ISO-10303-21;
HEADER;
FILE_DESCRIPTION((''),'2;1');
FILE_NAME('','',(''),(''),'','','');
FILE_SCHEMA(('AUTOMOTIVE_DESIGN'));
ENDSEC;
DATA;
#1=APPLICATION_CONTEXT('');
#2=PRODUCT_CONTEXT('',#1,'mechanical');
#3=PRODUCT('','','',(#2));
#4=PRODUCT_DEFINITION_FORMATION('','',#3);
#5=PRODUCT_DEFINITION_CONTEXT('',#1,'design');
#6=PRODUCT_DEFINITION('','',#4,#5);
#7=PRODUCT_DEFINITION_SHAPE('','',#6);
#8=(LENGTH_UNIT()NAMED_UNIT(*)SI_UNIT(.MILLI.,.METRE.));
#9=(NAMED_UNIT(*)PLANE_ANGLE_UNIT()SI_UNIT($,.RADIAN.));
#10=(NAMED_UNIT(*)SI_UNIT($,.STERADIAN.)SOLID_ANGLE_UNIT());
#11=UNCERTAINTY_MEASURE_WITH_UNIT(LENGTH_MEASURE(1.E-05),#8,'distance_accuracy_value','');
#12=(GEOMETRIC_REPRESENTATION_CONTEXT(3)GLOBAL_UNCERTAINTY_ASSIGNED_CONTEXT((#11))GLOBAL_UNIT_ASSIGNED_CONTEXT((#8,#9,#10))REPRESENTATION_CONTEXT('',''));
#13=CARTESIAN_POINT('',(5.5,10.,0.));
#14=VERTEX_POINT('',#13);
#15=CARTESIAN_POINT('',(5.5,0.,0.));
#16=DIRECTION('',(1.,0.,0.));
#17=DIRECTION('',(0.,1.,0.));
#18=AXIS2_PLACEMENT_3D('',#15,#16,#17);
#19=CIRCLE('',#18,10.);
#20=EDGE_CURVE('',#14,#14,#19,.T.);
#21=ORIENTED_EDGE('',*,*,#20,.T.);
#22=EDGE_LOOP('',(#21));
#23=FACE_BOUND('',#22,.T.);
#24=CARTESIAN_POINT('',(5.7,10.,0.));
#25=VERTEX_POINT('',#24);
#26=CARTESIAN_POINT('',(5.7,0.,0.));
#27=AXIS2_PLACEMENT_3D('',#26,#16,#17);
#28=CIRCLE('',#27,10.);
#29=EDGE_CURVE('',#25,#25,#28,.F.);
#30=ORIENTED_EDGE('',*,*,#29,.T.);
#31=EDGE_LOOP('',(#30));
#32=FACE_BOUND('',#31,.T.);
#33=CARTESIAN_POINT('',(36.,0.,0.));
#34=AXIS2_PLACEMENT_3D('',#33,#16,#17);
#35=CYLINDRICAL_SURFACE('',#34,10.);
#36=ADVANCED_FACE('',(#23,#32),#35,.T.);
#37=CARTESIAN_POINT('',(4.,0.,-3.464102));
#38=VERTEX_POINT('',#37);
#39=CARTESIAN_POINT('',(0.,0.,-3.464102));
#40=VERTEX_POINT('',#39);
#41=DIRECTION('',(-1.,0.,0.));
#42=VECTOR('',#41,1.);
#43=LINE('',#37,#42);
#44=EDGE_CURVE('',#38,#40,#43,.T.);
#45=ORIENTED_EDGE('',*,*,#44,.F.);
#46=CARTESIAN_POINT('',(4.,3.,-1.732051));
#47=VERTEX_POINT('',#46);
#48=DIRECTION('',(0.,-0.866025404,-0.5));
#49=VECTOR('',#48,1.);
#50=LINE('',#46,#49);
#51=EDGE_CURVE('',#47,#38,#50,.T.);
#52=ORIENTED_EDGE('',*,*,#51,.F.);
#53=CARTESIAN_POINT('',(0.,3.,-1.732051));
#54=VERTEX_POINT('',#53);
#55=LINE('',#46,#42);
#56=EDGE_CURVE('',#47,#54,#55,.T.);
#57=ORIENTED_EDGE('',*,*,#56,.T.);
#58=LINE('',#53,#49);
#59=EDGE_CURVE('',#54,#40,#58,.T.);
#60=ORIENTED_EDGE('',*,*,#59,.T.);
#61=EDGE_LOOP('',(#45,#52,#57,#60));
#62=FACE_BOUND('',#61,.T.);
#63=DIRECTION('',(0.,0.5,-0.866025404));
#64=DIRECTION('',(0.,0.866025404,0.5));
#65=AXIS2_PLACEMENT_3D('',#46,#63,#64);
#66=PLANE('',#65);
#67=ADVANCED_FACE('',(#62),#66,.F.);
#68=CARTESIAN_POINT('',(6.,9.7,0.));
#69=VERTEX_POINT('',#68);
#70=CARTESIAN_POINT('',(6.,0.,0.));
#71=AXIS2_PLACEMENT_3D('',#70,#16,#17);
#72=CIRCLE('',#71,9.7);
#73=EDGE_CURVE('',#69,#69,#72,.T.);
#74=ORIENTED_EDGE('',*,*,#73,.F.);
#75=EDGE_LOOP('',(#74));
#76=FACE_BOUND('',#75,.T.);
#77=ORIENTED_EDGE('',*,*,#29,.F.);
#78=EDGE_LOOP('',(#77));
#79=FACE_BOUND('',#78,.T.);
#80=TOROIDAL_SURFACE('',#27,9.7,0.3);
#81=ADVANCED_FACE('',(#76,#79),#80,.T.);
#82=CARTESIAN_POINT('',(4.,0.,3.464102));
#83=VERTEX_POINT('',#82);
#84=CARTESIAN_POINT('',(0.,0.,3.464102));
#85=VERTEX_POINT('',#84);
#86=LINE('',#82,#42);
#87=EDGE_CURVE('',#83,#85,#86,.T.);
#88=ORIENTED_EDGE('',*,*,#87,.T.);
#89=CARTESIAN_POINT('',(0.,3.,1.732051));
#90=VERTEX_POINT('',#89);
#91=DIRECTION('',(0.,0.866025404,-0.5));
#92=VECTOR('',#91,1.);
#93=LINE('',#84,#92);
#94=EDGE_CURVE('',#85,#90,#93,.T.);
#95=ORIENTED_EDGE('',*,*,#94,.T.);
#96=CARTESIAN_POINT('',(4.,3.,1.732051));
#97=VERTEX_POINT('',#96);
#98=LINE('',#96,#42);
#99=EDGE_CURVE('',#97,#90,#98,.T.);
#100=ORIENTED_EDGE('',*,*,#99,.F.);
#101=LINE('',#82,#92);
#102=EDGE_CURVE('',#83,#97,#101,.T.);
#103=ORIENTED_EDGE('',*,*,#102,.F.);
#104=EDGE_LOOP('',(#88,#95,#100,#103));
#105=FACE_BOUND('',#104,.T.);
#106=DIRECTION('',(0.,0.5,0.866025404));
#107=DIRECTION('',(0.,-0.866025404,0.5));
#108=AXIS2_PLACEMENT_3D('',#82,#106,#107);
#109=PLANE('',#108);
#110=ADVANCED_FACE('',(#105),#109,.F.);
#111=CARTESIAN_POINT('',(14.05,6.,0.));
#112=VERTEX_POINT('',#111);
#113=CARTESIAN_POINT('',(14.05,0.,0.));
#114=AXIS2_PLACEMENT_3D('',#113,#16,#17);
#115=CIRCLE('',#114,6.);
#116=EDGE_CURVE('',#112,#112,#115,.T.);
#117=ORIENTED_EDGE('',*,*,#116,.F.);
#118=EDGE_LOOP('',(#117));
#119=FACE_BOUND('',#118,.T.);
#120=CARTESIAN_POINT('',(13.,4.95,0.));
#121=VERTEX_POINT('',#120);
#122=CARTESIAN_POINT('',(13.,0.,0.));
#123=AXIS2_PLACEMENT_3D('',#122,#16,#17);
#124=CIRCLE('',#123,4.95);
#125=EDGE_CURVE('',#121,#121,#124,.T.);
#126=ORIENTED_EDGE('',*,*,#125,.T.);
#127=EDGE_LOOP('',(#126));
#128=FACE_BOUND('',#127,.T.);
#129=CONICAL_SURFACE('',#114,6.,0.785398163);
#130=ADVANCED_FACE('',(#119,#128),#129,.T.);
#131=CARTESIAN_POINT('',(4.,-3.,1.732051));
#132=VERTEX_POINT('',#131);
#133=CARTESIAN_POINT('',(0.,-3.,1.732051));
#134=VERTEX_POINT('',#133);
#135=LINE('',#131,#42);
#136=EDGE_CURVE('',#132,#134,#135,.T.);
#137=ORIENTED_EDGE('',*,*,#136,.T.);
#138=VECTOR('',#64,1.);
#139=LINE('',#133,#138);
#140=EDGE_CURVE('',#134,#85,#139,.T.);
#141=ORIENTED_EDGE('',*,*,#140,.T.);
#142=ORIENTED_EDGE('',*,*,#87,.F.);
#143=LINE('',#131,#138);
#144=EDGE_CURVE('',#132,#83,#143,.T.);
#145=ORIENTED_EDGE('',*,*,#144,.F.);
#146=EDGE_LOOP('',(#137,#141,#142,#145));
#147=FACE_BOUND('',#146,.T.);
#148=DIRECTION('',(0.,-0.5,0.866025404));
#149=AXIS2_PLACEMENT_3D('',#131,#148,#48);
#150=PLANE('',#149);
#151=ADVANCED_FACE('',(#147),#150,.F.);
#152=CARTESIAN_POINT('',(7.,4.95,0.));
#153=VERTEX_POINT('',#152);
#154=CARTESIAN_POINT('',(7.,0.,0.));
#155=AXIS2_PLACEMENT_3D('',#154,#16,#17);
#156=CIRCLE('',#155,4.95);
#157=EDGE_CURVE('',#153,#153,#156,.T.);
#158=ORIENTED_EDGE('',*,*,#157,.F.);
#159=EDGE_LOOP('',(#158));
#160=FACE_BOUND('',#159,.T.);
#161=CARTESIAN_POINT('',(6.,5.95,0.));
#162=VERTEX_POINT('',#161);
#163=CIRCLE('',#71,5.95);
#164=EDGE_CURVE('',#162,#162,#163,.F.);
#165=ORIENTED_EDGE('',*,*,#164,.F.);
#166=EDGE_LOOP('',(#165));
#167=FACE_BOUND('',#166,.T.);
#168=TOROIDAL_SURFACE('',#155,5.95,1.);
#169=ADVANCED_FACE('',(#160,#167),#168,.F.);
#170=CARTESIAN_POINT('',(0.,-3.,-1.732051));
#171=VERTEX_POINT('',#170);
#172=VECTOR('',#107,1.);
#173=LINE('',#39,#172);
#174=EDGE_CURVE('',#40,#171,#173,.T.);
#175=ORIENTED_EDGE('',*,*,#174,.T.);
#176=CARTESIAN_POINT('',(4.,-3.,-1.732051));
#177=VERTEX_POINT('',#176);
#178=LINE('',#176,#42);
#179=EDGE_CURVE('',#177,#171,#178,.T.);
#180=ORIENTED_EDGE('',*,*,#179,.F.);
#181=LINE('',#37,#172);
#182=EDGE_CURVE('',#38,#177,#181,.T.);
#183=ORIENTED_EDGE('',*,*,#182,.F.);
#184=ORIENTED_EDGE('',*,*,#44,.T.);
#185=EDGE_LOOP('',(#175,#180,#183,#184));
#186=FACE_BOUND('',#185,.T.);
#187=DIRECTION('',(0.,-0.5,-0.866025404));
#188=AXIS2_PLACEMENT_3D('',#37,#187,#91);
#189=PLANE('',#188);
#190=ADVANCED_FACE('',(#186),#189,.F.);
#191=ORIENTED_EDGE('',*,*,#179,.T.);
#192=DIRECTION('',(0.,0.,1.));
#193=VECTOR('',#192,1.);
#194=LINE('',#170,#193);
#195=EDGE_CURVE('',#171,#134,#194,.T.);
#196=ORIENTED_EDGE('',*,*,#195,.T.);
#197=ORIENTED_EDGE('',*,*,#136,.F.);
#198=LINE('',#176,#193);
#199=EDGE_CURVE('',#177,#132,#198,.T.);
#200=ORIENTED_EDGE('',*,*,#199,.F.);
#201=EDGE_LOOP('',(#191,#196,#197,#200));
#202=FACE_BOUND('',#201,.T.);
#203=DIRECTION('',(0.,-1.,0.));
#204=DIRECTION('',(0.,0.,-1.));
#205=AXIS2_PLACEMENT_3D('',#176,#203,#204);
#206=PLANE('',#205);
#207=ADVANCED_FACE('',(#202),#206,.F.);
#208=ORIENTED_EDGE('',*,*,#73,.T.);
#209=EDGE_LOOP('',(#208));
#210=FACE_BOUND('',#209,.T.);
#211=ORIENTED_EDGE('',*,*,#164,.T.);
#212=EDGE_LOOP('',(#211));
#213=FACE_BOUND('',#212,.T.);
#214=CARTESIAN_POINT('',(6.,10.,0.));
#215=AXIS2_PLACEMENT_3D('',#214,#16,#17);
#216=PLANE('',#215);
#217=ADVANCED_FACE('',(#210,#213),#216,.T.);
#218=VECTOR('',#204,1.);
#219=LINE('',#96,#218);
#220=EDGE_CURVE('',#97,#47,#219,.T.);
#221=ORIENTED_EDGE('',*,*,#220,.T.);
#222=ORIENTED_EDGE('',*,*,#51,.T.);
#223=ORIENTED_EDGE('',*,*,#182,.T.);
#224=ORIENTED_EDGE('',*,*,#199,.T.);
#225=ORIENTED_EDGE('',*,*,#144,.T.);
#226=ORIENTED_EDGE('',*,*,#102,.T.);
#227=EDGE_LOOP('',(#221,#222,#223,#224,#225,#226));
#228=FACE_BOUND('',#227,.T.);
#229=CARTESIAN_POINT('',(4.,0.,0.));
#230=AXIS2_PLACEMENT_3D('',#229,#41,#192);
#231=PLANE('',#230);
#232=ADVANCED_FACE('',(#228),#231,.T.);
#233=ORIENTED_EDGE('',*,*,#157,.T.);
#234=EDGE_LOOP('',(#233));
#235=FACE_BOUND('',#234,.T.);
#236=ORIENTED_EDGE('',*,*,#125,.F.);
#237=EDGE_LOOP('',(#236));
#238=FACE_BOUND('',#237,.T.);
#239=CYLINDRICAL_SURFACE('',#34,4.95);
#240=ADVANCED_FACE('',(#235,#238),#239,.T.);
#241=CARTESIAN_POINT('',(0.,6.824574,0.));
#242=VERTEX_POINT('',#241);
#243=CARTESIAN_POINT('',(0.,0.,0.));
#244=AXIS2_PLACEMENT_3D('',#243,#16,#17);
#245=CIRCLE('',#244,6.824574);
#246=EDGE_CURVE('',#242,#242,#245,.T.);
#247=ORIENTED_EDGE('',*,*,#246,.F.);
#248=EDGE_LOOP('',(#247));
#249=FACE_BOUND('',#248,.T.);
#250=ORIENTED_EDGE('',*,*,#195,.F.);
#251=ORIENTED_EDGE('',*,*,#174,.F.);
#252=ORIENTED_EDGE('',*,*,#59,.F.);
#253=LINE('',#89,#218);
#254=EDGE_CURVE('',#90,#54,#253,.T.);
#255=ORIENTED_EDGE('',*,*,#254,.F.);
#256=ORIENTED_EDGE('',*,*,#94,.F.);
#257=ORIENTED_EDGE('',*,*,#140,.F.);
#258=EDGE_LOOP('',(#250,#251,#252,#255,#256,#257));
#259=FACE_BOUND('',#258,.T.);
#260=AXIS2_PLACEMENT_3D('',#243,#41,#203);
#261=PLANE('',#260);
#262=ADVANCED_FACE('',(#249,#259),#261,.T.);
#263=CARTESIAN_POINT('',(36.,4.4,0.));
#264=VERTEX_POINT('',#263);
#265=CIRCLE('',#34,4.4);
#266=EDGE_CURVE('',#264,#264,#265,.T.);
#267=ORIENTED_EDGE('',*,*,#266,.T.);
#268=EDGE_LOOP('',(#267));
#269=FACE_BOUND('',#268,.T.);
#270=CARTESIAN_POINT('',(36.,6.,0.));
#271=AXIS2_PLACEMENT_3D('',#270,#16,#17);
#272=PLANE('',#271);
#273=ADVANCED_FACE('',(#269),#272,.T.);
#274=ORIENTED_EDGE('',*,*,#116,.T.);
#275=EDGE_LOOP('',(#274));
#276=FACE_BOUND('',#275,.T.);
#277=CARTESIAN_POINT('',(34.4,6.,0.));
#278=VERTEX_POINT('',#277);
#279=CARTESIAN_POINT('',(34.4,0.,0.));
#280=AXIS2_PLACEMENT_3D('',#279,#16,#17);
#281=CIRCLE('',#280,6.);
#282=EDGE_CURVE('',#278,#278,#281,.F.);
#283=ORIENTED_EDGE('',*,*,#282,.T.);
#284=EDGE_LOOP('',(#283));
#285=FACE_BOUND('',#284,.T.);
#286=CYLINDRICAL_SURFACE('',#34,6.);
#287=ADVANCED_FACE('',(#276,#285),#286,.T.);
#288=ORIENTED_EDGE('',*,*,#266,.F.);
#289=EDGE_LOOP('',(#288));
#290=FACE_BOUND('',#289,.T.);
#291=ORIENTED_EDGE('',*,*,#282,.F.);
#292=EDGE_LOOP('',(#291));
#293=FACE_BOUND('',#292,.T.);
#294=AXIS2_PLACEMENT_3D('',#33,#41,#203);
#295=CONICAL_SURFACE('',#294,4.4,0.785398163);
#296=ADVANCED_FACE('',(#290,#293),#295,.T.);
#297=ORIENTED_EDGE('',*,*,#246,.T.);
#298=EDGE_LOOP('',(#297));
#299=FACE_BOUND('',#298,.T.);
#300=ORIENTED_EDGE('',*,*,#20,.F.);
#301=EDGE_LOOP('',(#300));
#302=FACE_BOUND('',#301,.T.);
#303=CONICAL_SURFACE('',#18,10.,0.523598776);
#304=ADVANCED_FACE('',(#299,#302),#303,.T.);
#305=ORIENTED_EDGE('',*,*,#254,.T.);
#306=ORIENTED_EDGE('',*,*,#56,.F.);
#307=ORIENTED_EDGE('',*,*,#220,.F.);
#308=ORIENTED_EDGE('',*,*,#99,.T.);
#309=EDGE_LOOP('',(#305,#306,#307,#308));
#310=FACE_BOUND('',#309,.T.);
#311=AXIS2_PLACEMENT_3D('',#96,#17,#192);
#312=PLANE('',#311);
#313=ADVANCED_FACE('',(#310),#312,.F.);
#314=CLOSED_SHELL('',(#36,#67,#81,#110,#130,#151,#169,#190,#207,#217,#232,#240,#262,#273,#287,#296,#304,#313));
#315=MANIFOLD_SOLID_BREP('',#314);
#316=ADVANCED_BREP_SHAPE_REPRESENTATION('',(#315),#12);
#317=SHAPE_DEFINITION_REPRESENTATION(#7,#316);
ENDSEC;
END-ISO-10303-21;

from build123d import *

# Parameters (mm, degrees)
CUT_EXTRUDE_1_DEPTH = 4
FILLET_1_R          = 0.3
CHAMFER_1_SIZE      = 1.6
FILLET_2_R          = 1


with BuildPart() as part:
    # Эскиз1 → Повернуть1 (revolve)
    with BuildSketch(Plane.XY):
        Polygon((0, 0), (0, 6.824573519), (5.5, 10), (6, 10), (6, 4.95), (13, 4.95), (14.05, 6), (36, 6), (36, 0), align=None)
    revolve(axis=Axis((36, 0, 0), (-1, 0, 0)))

    # Эскиз2 → Вырез-Вытянуть1 (cut)
    with BuildSketch(Plane.ZY):
        Polygon((1.732050808, 3), (-1.732050808, 3), (-3.464101615, 0), (-1.732050808, -3), (1.732050808, -3), (3.464101615, 0), align=None)
    extrude(amount=-CUT_EXTRUDE_1_DEPTH, mode=Mode.SUBTRACT)

    # Скругление1
    fillet_1_edges = [part.edges().sort_by_distance(p)[0] for p in [
        (6, -10, 0),
    ]]
    fillet(fillet_1_edges, radius=FILLET_1_R)

    # Фаска1
    chamfer_1_edges = [part.edges().sort_by_distance(p)[0] for p in [
        (36, -6, 0),
    ]]
    chamfer(chamfer_1_edges, length=CHAMFER_1_SIZE)

    # Скругление2
    fillet_2_edges = [part.edges().sort_by_distance(p)[0] for p in [
        (6, -4.95, 0),
    ]]
    fillet(fillet_2_edges, radius=FILLET_2_R)


solid = part.part
